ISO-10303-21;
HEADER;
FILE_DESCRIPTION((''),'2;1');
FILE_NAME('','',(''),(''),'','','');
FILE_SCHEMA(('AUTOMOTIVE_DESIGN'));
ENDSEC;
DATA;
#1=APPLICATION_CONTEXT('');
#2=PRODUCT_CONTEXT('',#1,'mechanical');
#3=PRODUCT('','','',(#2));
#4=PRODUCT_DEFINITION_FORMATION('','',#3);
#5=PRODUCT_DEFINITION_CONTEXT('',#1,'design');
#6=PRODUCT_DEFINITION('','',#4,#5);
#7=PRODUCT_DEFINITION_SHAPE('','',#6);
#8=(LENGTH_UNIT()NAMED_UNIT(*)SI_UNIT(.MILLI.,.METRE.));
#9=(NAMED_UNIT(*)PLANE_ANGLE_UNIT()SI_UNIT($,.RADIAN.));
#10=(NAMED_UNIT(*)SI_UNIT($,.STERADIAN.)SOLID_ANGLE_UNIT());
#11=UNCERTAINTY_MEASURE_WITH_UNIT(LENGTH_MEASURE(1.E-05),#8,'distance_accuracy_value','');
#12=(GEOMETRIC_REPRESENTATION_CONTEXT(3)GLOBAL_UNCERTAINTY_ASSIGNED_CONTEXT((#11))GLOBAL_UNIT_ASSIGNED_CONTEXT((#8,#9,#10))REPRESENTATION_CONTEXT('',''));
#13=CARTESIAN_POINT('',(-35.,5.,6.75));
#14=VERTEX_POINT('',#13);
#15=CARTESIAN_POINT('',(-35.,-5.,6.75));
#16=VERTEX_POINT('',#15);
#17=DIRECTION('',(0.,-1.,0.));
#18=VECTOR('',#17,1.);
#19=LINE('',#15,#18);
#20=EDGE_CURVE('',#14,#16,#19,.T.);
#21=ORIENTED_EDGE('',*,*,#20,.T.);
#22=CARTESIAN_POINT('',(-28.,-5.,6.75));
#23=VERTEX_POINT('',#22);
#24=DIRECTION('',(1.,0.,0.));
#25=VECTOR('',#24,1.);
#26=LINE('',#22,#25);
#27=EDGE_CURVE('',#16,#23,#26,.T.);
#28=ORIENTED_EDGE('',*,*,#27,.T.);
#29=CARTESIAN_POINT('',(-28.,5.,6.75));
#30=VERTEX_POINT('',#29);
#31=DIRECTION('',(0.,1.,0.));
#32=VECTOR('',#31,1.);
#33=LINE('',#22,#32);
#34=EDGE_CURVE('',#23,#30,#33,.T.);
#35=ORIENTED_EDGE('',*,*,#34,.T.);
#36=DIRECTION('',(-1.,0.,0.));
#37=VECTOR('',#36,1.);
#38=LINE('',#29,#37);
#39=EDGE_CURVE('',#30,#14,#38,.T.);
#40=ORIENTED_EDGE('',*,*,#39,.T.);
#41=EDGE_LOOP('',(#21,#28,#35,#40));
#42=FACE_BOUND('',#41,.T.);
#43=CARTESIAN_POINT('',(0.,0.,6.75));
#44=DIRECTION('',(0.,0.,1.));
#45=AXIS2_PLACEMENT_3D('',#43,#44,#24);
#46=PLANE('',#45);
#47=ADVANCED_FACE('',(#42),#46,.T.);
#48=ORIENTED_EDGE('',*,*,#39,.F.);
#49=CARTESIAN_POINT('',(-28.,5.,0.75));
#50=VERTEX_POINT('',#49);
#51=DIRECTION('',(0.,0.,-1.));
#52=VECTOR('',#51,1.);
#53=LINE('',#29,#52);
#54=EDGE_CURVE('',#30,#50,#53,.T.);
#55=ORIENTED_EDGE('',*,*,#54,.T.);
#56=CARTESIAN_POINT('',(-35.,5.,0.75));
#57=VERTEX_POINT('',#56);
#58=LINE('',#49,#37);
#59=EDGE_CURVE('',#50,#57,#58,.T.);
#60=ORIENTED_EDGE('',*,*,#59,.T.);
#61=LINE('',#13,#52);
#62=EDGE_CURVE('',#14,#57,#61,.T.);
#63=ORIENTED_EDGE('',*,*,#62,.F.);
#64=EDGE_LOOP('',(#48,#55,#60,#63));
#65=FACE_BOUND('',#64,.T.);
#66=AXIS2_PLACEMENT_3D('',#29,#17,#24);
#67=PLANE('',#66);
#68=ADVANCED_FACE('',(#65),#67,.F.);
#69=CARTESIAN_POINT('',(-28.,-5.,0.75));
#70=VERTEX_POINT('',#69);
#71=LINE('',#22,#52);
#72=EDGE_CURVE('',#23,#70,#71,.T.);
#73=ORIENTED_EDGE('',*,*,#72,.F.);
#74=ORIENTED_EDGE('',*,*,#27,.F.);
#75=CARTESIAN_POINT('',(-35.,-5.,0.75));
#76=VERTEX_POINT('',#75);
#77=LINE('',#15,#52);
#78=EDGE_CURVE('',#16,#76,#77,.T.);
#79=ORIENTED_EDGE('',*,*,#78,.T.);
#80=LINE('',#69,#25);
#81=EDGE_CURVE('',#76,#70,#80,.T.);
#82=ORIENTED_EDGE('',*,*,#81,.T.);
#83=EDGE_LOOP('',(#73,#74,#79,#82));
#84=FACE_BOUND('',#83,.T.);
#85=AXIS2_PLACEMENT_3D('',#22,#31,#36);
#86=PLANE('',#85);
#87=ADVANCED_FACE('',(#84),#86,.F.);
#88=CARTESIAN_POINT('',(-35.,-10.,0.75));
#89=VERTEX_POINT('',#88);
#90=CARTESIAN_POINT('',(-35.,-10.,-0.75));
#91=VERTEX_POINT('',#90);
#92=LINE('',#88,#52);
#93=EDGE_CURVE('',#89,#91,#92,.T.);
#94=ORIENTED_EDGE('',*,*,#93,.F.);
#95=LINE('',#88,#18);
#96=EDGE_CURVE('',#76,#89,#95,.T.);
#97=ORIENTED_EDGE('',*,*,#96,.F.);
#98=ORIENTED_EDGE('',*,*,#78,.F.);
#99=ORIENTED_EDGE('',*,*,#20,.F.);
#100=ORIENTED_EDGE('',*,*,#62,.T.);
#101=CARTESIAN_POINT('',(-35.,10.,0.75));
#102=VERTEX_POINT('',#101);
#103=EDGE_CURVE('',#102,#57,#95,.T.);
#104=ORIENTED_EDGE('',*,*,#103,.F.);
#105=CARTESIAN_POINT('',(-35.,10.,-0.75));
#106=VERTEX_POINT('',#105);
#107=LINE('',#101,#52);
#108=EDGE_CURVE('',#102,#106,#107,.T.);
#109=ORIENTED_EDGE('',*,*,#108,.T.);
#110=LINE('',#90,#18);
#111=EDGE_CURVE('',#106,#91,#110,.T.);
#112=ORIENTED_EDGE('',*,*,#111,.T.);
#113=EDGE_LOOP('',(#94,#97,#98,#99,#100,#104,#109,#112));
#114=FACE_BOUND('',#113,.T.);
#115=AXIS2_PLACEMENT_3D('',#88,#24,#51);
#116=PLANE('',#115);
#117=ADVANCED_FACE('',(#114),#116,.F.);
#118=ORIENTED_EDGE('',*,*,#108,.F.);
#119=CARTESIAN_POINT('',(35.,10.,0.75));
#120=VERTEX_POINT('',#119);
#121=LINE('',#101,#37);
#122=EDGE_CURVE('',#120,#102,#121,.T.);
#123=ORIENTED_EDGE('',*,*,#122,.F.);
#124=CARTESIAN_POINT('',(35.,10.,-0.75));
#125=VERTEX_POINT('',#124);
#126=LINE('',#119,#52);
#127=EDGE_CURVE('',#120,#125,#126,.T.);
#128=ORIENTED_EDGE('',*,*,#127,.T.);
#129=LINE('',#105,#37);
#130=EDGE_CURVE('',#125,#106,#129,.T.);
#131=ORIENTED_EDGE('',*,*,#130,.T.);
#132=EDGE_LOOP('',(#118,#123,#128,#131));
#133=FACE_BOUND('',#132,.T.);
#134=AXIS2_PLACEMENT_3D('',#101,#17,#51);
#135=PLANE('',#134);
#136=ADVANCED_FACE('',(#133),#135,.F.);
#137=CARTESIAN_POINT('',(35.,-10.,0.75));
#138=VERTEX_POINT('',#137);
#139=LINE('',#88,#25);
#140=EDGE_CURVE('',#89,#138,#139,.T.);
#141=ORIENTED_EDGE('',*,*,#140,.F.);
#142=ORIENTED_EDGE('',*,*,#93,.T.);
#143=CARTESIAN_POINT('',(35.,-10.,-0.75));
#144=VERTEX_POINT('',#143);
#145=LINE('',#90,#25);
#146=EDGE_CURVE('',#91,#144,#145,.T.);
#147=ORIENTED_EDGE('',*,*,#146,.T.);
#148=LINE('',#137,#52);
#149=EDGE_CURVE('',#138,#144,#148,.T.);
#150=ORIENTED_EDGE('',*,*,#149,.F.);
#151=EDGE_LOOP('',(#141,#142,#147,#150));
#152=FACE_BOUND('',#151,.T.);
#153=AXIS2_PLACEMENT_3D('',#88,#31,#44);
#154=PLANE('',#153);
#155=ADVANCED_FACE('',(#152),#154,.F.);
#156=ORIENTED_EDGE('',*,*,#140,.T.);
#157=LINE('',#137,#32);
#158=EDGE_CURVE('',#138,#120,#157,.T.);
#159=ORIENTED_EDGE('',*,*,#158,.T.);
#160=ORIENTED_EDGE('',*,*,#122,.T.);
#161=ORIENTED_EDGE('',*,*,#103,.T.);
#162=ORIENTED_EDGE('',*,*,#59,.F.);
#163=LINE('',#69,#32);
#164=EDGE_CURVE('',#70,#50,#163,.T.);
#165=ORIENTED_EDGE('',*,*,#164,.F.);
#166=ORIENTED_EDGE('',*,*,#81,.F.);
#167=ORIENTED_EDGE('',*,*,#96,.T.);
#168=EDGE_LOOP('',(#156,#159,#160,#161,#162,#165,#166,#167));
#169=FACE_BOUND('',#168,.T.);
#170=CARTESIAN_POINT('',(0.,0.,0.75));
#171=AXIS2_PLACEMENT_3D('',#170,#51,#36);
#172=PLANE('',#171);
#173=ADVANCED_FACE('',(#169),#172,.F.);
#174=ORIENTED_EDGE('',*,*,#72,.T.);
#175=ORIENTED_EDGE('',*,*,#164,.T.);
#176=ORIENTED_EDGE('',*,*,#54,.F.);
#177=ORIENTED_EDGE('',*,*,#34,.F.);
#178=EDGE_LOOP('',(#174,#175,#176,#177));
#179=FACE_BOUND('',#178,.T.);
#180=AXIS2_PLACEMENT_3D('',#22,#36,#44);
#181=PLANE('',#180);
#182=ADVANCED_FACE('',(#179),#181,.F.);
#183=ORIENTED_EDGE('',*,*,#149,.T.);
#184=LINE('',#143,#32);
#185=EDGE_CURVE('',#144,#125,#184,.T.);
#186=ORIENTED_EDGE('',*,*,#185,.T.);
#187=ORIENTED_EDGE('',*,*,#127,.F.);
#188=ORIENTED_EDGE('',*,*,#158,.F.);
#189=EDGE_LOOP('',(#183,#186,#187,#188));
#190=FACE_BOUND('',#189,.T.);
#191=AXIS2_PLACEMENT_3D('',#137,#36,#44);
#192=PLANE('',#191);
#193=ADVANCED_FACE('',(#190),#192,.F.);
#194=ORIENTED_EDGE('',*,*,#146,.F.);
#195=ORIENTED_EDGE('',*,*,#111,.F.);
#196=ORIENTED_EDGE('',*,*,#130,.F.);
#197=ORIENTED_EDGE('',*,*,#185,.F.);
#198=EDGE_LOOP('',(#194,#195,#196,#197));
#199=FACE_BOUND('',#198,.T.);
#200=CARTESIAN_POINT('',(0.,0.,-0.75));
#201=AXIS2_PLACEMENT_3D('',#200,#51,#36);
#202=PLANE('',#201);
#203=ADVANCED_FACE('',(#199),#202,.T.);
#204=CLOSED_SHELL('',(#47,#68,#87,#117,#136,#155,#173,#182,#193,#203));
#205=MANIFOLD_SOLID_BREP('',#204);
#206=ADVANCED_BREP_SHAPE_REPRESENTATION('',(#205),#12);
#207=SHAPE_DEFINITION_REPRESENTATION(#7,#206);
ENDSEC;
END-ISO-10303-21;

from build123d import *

# Parameters (mm, degrees)
SKETCH1_W           = 70
SKETCH1_H           = 20
BOSS_EXTRUDE1_DEPTH = 0.75
SKETCH2_W           = 7
SKETCH2_H           = 10
BOSS_EXTRUDE2_DEPTH = 6


with BuildPart() as part:
    # Sketch1 → Boss-Extrude1 (new, symmetric)
    with BuildSketch(Plane.XY):
        Rectangle(SKETCH1_W, SKETCH1_H)
    extrude(amount=BOSS_EXTRUDE1_DEPTH, both=True)

    # Sketch2 → Boss-Extrude2 (add)
    with BuildSketch(Plane.XY.offset(0.75)):
        with Locations((-31.5, 0)):
            Rectangle(SKETCH2_W, SKETCH2_H)
    extrude(amount=BOSS_EXTRUDE2_DEPTH)


solid = part.part
